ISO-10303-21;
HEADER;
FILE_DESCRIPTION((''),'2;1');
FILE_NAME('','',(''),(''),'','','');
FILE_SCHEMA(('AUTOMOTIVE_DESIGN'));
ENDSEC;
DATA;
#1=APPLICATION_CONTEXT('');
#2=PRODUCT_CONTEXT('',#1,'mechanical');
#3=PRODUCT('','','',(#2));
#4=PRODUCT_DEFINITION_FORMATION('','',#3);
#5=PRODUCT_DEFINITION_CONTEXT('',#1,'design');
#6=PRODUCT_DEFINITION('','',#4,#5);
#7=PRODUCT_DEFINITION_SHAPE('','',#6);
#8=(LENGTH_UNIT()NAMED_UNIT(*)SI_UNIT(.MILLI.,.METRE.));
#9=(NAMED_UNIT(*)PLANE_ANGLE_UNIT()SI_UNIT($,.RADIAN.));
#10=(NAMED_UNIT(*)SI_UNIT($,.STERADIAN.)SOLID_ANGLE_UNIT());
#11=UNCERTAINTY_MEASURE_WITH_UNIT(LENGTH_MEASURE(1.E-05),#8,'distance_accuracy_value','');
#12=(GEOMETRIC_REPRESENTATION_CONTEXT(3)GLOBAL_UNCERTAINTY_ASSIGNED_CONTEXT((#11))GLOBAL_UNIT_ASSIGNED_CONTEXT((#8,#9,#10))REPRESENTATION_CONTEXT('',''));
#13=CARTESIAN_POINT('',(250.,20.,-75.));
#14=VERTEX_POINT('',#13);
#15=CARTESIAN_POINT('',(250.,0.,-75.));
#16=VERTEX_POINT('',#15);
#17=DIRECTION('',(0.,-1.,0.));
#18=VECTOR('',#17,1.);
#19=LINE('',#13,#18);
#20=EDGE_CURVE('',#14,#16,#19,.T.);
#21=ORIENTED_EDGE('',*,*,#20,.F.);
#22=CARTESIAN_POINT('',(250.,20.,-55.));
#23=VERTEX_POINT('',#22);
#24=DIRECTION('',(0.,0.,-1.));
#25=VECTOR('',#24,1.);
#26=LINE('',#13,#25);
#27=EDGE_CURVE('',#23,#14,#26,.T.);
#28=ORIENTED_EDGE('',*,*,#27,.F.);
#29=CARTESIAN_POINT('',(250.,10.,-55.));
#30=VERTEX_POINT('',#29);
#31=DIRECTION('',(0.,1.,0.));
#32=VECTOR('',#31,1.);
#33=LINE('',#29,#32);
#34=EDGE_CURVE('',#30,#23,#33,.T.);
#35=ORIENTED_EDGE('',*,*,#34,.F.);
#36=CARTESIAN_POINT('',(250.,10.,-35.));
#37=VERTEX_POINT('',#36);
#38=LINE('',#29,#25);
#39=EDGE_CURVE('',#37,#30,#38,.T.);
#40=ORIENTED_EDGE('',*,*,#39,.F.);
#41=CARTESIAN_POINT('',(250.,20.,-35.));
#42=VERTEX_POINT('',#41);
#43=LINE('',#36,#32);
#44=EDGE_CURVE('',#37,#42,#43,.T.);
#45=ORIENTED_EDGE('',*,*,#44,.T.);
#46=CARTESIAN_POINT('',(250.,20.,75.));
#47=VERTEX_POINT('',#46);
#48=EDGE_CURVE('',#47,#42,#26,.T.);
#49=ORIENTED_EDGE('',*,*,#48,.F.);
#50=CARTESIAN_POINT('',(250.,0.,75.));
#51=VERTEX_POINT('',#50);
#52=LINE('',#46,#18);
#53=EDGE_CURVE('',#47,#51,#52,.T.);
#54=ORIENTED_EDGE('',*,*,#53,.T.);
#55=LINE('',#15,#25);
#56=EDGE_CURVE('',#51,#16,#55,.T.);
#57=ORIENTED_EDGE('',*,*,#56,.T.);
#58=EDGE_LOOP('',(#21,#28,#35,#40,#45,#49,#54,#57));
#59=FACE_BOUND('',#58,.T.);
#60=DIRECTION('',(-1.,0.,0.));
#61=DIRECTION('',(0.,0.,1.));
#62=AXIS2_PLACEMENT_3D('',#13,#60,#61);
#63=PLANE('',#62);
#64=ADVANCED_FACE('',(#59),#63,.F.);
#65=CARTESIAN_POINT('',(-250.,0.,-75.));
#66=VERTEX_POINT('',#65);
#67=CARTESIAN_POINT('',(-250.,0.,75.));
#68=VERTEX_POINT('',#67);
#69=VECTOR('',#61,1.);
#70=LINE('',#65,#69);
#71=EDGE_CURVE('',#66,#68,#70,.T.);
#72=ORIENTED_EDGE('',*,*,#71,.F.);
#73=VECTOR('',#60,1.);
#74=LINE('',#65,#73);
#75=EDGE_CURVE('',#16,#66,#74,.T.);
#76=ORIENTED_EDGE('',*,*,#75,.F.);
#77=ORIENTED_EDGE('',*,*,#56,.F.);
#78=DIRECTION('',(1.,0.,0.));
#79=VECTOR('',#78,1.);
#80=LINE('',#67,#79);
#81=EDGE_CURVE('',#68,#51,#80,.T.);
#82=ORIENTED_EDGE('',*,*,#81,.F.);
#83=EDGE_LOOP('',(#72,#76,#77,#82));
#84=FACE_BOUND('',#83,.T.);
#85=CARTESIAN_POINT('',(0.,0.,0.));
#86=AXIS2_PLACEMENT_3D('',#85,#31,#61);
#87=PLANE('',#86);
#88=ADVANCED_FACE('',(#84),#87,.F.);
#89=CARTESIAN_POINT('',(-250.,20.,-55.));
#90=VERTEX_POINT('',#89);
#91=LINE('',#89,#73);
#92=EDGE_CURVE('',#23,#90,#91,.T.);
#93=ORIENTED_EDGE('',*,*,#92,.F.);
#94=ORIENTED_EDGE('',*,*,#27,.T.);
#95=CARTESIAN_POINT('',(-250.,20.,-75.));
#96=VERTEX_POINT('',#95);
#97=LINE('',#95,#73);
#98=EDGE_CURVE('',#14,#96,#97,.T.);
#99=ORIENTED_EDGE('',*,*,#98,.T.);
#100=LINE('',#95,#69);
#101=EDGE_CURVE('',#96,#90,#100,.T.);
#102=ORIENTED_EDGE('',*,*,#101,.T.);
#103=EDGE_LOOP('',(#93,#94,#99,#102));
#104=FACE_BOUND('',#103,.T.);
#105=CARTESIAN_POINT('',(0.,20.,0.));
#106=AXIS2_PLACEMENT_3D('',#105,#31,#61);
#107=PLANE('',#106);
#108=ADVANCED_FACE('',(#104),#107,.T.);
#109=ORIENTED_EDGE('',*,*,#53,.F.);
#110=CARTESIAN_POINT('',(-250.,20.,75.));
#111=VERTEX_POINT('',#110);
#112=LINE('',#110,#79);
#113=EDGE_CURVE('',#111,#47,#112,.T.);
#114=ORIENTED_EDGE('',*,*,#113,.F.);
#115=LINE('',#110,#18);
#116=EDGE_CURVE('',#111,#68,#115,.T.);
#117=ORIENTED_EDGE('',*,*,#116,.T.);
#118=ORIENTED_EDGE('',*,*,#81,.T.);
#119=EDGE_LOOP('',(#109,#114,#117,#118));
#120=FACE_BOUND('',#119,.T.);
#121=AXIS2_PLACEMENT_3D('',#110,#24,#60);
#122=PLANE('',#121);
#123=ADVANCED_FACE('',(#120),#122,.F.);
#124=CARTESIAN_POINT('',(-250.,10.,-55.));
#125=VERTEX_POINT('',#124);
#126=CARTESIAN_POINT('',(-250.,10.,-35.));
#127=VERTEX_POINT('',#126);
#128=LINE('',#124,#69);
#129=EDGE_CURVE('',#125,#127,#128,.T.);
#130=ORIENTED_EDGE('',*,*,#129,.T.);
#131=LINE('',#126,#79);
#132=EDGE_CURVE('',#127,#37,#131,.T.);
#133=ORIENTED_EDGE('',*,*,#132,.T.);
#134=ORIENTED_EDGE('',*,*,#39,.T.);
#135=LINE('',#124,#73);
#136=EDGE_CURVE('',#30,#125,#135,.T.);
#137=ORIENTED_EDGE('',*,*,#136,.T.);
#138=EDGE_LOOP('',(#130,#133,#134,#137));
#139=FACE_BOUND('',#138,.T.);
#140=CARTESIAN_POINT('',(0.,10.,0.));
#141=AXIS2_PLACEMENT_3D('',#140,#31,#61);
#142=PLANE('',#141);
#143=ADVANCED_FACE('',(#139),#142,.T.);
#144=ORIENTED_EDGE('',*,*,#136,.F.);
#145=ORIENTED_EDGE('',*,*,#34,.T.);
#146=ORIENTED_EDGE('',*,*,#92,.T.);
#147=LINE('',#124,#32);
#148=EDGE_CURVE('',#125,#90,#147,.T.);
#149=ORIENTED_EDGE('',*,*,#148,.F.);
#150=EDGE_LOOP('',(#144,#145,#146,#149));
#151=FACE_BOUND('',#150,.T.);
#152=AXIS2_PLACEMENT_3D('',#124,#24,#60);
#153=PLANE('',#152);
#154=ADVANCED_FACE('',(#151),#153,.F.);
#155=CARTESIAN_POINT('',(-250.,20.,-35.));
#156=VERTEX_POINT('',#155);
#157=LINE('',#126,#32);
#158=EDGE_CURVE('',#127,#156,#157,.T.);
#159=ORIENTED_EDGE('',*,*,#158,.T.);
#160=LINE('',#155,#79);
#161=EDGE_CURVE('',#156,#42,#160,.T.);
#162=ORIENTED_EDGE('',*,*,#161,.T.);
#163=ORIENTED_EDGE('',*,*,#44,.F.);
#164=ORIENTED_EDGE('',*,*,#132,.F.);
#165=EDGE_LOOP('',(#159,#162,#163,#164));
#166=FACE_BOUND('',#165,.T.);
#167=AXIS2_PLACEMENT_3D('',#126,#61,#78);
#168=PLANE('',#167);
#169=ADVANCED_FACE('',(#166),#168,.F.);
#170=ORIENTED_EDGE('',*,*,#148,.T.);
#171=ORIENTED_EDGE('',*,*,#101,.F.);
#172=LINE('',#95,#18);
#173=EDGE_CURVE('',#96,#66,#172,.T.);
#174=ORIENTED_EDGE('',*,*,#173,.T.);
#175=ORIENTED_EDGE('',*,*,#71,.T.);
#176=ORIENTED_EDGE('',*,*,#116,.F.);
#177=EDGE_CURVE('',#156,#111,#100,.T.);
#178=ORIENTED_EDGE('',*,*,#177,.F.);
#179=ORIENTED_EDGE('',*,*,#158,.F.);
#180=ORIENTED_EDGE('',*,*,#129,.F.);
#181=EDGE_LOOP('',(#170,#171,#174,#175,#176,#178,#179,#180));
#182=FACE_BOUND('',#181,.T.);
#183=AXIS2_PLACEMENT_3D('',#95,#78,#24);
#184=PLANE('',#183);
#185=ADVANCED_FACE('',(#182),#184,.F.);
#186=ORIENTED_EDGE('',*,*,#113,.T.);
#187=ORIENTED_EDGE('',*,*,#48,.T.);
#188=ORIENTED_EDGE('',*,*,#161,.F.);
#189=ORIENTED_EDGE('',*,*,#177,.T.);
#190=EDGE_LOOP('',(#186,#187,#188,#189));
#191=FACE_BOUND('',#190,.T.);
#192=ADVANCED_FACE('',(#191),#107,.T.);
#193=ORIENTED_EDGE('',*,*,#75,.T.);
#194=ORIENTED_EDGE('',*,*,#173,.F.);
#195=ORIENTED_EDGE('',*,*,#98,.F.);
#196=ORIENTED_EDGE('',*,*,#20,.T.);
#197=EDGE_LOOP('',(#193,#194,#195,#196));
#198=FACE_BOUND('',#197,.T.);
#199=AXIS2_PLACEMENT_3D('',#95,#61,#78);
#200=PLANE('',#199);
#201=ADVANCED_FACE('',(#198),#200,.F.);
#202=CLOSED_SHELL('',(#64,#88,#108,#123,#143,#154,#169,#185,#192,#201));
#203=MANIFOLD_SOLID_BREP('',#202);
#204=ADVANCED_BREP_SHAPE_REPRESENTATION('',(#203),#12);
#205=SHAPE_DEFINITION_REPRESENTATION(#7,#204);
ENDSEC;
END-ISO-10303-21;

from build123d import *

# Parameters (mm, degrees)
ESQUISSE1_W             = 500
ESQUISSE1_H             = 150
BOSS_EXTRU_1_DEPTH      = 20
ESQUISSE2_W             = 500
ESQUISSE2_H             = 20
ENL_V_MAT_EXTRU_1_DEPTH = 10


with BuildPart() as part:
    # Esquisse1 → Boss.-Extru.1 (new body)
    with BuildSketch(Plane(origin=(0, 0, 0), x_dir=(1, 0, 0), z_dir=(0, 1, 0))):
        Rectangle(ESQUISSE1_W, ESQUISSE1_H)
    extrude(amount=BOSS_EXTRU_1_DEPTH)

    # Esquisse2 → Enlèv. mat.-Extru.1 (cut)
    with BuildSketch(Plane(origin=(0, 20, 0), x_dir=(1, 0, 0), z_dir=(0, 1, 0))):
        with Locations((0, 45)):
            Rectangle(ESQUISSE2_W, ESQUISSE2_H)
    extrude(amount=-ENL_V_MAT_EXTRU_1_DEPTH, mode=Mode.SUBTRACT)


solid = part.part
